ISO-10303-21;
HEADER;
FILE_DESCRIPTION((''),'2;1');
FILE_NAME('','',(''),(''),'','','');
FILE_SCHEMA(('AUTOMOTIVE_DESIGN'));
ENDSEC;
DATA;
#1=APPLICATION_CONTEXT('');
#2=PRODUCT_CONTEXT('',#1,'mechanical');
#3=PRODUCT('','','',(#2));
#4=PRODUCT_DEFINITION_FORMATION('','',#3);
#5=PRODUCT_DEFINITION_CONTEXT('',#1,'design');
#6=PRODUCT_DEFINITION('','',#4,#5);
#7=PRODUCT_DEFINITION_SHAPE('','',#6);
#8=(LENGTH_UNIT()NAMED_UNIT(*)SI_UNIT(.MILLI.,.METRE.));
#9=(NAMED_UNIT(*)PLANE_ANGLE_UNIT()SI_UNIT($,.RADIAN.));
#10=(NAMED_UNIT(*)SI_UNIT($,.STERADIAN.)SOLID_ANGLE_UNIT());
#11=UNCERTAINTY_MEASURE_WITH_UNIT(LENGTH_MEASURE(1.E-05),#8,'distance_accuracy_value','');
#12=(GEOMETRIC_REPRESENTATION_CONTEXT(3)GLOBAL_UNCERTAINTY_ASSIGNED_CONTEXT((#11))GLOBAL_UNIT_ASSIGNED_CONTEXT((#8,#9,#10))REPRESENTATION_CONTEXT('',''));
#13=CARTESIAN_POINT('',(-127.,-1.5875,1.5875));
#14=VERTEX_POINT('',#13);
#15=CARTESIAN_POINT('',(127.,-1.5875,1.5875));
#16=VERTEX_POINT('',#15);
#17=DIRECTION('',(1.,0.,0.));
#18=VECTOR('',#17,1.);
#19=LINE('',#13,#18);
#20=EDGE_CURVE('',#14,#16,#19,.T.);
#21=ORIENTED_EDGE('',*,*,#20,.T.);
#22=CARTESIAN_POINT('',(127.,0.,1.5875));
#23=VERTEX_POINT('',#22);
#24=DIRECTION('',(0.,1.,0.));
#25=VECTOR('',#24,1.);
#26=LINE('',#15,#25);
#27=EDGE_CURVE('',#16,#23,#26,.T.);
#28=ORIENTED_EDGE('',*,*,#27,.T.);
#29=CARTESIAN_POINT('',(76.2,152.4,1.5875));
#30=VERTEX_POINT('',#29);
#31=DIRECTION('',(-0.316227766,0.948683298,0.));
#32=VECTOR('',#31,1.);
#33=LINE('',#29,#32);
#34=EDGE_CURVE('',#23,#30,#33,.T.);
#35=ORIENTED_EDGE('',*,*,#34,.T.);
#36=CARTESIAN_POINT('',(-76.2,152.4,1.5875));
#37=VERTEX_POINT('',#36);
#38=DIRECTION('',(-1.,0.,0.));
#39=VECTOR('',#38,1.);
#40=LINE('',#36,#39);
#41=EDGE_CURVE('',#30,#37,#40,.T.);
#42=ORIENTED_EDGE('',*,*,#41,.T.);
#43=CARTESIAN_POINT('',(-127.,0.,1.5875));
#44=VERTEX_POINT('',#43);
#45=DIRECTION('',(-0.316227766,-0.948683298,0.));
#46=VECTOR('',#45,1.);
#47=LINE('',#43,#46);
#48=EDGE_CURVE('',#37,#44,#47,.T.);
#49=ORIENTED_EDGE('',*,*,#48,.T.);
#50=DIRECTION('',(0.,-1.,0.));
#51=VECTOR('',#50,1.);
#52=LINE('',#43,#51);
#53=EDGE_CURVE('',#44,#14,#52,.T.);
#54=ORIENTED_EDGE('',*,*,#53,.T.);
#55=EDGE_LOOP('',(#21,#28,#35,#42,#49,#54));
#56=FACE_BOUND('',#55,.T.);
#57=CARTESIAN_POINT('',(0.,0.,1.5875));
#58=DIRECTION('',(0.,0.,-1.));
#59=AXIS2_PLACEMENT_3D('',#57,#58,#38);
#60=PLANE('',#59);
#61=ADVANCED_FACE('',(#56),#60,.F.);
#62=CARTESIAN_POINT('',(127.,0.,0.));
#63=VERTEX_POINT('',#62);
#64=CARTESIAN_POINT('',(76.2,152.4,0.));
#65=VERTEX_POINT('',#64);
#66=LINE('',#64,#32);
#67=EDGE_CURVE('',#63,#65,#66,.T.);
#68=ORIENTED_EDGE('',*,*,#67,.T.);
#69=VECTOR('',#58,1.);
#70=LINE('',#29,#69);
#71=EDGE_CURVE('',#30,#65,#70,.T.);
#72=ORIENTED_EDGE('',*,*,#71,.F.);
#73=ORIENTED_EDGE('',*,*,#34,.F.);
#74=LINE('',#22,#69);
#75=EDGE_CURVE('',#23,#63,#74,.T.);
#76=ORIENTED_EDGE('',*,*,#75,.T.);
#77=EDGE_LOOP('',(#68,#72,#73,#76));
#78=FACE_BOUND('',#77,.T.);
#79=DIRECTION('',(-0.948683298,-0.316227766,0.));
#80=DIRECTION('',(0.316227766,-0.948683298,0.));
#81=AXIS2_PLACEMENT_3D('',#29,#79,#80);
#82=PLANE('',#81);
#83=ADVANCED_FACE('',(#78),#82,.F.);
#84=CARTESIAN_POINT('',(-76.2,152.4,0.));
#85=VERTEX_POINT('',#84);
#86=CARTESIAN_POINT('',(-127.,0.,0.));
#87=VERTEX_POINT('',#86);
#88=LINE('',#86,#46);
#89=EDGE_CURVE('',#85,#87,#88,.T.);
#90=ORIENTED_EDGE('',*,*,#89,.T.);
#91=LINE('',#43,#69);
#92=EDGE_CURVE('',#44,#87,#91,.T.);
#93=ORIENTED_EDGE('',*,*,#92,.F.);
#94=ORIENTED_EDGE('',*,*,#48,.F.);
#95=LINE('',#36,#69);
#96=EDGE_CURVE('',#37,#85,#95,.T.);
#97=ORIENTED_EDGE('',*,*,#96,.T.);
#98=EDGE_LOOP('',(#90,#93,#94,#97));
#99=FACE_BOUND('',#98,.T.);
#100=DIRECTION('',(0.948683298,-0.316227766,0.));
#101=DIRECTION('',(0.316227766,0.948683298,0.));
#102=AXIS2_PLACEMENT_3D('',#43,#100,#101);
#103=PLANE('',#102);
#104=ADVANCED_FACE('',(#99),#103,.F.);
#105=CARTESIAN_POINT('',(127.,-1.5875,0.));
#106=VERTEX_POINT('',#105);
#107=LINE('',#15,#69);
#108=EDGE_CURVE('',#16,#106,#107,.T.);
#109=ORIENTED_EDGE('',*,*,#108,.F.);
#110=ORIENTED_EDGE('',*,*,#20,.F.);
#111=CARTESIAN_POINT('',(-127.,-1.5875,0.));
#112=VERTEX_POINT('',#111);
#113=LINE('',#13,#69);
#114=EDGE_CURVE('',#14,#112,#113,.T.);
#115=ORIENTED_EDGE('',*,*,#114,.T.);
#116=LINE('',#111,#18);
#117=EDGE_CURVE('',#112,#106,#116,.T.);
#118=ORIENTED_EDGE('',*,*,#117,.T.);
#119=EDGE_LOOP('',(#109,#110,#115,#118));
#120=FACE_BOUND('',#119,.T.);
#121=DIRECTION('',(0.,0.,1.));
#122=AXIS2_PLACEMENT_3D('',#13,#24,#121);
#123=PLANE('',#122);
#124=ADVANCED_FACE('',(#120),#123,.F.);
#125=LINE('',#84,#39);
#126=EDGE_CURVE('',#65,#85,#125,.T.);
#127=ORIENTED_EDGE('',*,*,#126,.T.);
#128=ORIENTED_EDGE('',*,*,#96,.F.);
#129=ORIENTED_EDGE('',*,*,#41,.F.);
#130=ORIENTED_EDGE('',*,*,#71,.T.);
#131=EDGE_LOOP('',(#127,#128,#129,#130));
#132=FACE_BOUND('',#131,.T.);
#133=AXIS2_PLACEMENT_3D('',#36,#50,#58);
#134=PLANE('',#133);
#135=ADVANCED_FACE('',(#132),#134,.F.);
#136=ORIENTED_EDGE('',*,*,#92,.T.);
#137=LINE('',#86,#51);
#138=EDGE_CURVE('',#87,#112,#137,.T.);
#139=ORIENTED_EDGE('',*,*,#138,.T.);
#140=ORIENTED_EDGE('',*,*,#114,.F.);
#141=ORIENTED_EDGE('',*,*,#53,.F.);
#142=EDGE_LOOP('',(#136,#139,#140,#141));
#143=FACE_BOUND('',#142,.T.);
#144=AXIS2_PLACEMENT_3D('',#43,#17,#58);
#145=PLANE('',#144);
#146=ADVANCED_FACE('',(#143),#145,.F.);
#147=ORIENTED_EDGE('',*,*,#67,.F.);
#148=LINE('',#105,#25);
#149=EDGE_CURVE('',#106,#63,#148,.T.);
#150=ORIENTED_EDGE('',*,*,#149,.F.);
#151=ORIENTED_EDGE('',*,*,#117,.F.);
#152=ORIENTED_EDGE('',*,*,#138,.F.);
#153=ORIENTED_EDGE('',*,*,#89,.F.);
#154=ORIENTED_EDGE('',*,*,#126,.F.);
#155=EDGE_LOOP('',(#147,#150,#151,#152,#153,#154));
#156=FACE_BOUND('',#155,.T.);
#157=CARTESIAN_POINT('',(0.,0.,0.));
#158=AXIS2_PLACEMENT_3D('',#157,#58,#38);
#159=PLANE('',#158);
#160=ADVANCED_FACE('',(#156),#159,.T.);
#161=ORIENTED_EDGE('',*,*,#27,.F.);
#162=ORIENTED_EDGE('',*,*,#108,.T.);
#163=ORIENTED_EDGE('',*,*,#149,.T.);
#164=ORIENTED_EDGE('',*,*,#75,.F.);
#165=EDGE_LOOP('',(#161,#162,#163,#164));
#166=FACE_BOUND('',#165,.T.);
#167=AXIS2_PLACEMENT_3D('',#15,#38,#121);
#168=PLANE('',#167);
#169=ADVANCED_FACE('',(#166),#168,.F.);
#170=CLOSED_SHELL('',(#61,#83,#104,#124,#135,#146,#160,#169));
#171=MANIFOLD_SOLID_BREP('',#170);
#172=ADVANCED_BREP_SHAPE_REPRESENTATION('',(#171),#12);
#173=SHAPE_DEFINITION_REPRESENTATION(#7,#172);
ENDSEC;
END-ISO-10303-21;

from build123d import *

# Parameters (mm, degrees)
BOSS_EXTRUDE1_DEPTH = 1.5875


with BuildPart() as part:
    # Sketch2 → Boss-Extrude1 (new body)
    with BuildSketch(Plane.XY):
        Polygon((-127, 0), (-76.2, 152.4), (76.2, 152.4), (127, 0), (127, -1.5875), (-127, -1.5875), align=None)
    extrude(amount=BOSS_EXTRUDE1_DEPTH)


solid = part.part
